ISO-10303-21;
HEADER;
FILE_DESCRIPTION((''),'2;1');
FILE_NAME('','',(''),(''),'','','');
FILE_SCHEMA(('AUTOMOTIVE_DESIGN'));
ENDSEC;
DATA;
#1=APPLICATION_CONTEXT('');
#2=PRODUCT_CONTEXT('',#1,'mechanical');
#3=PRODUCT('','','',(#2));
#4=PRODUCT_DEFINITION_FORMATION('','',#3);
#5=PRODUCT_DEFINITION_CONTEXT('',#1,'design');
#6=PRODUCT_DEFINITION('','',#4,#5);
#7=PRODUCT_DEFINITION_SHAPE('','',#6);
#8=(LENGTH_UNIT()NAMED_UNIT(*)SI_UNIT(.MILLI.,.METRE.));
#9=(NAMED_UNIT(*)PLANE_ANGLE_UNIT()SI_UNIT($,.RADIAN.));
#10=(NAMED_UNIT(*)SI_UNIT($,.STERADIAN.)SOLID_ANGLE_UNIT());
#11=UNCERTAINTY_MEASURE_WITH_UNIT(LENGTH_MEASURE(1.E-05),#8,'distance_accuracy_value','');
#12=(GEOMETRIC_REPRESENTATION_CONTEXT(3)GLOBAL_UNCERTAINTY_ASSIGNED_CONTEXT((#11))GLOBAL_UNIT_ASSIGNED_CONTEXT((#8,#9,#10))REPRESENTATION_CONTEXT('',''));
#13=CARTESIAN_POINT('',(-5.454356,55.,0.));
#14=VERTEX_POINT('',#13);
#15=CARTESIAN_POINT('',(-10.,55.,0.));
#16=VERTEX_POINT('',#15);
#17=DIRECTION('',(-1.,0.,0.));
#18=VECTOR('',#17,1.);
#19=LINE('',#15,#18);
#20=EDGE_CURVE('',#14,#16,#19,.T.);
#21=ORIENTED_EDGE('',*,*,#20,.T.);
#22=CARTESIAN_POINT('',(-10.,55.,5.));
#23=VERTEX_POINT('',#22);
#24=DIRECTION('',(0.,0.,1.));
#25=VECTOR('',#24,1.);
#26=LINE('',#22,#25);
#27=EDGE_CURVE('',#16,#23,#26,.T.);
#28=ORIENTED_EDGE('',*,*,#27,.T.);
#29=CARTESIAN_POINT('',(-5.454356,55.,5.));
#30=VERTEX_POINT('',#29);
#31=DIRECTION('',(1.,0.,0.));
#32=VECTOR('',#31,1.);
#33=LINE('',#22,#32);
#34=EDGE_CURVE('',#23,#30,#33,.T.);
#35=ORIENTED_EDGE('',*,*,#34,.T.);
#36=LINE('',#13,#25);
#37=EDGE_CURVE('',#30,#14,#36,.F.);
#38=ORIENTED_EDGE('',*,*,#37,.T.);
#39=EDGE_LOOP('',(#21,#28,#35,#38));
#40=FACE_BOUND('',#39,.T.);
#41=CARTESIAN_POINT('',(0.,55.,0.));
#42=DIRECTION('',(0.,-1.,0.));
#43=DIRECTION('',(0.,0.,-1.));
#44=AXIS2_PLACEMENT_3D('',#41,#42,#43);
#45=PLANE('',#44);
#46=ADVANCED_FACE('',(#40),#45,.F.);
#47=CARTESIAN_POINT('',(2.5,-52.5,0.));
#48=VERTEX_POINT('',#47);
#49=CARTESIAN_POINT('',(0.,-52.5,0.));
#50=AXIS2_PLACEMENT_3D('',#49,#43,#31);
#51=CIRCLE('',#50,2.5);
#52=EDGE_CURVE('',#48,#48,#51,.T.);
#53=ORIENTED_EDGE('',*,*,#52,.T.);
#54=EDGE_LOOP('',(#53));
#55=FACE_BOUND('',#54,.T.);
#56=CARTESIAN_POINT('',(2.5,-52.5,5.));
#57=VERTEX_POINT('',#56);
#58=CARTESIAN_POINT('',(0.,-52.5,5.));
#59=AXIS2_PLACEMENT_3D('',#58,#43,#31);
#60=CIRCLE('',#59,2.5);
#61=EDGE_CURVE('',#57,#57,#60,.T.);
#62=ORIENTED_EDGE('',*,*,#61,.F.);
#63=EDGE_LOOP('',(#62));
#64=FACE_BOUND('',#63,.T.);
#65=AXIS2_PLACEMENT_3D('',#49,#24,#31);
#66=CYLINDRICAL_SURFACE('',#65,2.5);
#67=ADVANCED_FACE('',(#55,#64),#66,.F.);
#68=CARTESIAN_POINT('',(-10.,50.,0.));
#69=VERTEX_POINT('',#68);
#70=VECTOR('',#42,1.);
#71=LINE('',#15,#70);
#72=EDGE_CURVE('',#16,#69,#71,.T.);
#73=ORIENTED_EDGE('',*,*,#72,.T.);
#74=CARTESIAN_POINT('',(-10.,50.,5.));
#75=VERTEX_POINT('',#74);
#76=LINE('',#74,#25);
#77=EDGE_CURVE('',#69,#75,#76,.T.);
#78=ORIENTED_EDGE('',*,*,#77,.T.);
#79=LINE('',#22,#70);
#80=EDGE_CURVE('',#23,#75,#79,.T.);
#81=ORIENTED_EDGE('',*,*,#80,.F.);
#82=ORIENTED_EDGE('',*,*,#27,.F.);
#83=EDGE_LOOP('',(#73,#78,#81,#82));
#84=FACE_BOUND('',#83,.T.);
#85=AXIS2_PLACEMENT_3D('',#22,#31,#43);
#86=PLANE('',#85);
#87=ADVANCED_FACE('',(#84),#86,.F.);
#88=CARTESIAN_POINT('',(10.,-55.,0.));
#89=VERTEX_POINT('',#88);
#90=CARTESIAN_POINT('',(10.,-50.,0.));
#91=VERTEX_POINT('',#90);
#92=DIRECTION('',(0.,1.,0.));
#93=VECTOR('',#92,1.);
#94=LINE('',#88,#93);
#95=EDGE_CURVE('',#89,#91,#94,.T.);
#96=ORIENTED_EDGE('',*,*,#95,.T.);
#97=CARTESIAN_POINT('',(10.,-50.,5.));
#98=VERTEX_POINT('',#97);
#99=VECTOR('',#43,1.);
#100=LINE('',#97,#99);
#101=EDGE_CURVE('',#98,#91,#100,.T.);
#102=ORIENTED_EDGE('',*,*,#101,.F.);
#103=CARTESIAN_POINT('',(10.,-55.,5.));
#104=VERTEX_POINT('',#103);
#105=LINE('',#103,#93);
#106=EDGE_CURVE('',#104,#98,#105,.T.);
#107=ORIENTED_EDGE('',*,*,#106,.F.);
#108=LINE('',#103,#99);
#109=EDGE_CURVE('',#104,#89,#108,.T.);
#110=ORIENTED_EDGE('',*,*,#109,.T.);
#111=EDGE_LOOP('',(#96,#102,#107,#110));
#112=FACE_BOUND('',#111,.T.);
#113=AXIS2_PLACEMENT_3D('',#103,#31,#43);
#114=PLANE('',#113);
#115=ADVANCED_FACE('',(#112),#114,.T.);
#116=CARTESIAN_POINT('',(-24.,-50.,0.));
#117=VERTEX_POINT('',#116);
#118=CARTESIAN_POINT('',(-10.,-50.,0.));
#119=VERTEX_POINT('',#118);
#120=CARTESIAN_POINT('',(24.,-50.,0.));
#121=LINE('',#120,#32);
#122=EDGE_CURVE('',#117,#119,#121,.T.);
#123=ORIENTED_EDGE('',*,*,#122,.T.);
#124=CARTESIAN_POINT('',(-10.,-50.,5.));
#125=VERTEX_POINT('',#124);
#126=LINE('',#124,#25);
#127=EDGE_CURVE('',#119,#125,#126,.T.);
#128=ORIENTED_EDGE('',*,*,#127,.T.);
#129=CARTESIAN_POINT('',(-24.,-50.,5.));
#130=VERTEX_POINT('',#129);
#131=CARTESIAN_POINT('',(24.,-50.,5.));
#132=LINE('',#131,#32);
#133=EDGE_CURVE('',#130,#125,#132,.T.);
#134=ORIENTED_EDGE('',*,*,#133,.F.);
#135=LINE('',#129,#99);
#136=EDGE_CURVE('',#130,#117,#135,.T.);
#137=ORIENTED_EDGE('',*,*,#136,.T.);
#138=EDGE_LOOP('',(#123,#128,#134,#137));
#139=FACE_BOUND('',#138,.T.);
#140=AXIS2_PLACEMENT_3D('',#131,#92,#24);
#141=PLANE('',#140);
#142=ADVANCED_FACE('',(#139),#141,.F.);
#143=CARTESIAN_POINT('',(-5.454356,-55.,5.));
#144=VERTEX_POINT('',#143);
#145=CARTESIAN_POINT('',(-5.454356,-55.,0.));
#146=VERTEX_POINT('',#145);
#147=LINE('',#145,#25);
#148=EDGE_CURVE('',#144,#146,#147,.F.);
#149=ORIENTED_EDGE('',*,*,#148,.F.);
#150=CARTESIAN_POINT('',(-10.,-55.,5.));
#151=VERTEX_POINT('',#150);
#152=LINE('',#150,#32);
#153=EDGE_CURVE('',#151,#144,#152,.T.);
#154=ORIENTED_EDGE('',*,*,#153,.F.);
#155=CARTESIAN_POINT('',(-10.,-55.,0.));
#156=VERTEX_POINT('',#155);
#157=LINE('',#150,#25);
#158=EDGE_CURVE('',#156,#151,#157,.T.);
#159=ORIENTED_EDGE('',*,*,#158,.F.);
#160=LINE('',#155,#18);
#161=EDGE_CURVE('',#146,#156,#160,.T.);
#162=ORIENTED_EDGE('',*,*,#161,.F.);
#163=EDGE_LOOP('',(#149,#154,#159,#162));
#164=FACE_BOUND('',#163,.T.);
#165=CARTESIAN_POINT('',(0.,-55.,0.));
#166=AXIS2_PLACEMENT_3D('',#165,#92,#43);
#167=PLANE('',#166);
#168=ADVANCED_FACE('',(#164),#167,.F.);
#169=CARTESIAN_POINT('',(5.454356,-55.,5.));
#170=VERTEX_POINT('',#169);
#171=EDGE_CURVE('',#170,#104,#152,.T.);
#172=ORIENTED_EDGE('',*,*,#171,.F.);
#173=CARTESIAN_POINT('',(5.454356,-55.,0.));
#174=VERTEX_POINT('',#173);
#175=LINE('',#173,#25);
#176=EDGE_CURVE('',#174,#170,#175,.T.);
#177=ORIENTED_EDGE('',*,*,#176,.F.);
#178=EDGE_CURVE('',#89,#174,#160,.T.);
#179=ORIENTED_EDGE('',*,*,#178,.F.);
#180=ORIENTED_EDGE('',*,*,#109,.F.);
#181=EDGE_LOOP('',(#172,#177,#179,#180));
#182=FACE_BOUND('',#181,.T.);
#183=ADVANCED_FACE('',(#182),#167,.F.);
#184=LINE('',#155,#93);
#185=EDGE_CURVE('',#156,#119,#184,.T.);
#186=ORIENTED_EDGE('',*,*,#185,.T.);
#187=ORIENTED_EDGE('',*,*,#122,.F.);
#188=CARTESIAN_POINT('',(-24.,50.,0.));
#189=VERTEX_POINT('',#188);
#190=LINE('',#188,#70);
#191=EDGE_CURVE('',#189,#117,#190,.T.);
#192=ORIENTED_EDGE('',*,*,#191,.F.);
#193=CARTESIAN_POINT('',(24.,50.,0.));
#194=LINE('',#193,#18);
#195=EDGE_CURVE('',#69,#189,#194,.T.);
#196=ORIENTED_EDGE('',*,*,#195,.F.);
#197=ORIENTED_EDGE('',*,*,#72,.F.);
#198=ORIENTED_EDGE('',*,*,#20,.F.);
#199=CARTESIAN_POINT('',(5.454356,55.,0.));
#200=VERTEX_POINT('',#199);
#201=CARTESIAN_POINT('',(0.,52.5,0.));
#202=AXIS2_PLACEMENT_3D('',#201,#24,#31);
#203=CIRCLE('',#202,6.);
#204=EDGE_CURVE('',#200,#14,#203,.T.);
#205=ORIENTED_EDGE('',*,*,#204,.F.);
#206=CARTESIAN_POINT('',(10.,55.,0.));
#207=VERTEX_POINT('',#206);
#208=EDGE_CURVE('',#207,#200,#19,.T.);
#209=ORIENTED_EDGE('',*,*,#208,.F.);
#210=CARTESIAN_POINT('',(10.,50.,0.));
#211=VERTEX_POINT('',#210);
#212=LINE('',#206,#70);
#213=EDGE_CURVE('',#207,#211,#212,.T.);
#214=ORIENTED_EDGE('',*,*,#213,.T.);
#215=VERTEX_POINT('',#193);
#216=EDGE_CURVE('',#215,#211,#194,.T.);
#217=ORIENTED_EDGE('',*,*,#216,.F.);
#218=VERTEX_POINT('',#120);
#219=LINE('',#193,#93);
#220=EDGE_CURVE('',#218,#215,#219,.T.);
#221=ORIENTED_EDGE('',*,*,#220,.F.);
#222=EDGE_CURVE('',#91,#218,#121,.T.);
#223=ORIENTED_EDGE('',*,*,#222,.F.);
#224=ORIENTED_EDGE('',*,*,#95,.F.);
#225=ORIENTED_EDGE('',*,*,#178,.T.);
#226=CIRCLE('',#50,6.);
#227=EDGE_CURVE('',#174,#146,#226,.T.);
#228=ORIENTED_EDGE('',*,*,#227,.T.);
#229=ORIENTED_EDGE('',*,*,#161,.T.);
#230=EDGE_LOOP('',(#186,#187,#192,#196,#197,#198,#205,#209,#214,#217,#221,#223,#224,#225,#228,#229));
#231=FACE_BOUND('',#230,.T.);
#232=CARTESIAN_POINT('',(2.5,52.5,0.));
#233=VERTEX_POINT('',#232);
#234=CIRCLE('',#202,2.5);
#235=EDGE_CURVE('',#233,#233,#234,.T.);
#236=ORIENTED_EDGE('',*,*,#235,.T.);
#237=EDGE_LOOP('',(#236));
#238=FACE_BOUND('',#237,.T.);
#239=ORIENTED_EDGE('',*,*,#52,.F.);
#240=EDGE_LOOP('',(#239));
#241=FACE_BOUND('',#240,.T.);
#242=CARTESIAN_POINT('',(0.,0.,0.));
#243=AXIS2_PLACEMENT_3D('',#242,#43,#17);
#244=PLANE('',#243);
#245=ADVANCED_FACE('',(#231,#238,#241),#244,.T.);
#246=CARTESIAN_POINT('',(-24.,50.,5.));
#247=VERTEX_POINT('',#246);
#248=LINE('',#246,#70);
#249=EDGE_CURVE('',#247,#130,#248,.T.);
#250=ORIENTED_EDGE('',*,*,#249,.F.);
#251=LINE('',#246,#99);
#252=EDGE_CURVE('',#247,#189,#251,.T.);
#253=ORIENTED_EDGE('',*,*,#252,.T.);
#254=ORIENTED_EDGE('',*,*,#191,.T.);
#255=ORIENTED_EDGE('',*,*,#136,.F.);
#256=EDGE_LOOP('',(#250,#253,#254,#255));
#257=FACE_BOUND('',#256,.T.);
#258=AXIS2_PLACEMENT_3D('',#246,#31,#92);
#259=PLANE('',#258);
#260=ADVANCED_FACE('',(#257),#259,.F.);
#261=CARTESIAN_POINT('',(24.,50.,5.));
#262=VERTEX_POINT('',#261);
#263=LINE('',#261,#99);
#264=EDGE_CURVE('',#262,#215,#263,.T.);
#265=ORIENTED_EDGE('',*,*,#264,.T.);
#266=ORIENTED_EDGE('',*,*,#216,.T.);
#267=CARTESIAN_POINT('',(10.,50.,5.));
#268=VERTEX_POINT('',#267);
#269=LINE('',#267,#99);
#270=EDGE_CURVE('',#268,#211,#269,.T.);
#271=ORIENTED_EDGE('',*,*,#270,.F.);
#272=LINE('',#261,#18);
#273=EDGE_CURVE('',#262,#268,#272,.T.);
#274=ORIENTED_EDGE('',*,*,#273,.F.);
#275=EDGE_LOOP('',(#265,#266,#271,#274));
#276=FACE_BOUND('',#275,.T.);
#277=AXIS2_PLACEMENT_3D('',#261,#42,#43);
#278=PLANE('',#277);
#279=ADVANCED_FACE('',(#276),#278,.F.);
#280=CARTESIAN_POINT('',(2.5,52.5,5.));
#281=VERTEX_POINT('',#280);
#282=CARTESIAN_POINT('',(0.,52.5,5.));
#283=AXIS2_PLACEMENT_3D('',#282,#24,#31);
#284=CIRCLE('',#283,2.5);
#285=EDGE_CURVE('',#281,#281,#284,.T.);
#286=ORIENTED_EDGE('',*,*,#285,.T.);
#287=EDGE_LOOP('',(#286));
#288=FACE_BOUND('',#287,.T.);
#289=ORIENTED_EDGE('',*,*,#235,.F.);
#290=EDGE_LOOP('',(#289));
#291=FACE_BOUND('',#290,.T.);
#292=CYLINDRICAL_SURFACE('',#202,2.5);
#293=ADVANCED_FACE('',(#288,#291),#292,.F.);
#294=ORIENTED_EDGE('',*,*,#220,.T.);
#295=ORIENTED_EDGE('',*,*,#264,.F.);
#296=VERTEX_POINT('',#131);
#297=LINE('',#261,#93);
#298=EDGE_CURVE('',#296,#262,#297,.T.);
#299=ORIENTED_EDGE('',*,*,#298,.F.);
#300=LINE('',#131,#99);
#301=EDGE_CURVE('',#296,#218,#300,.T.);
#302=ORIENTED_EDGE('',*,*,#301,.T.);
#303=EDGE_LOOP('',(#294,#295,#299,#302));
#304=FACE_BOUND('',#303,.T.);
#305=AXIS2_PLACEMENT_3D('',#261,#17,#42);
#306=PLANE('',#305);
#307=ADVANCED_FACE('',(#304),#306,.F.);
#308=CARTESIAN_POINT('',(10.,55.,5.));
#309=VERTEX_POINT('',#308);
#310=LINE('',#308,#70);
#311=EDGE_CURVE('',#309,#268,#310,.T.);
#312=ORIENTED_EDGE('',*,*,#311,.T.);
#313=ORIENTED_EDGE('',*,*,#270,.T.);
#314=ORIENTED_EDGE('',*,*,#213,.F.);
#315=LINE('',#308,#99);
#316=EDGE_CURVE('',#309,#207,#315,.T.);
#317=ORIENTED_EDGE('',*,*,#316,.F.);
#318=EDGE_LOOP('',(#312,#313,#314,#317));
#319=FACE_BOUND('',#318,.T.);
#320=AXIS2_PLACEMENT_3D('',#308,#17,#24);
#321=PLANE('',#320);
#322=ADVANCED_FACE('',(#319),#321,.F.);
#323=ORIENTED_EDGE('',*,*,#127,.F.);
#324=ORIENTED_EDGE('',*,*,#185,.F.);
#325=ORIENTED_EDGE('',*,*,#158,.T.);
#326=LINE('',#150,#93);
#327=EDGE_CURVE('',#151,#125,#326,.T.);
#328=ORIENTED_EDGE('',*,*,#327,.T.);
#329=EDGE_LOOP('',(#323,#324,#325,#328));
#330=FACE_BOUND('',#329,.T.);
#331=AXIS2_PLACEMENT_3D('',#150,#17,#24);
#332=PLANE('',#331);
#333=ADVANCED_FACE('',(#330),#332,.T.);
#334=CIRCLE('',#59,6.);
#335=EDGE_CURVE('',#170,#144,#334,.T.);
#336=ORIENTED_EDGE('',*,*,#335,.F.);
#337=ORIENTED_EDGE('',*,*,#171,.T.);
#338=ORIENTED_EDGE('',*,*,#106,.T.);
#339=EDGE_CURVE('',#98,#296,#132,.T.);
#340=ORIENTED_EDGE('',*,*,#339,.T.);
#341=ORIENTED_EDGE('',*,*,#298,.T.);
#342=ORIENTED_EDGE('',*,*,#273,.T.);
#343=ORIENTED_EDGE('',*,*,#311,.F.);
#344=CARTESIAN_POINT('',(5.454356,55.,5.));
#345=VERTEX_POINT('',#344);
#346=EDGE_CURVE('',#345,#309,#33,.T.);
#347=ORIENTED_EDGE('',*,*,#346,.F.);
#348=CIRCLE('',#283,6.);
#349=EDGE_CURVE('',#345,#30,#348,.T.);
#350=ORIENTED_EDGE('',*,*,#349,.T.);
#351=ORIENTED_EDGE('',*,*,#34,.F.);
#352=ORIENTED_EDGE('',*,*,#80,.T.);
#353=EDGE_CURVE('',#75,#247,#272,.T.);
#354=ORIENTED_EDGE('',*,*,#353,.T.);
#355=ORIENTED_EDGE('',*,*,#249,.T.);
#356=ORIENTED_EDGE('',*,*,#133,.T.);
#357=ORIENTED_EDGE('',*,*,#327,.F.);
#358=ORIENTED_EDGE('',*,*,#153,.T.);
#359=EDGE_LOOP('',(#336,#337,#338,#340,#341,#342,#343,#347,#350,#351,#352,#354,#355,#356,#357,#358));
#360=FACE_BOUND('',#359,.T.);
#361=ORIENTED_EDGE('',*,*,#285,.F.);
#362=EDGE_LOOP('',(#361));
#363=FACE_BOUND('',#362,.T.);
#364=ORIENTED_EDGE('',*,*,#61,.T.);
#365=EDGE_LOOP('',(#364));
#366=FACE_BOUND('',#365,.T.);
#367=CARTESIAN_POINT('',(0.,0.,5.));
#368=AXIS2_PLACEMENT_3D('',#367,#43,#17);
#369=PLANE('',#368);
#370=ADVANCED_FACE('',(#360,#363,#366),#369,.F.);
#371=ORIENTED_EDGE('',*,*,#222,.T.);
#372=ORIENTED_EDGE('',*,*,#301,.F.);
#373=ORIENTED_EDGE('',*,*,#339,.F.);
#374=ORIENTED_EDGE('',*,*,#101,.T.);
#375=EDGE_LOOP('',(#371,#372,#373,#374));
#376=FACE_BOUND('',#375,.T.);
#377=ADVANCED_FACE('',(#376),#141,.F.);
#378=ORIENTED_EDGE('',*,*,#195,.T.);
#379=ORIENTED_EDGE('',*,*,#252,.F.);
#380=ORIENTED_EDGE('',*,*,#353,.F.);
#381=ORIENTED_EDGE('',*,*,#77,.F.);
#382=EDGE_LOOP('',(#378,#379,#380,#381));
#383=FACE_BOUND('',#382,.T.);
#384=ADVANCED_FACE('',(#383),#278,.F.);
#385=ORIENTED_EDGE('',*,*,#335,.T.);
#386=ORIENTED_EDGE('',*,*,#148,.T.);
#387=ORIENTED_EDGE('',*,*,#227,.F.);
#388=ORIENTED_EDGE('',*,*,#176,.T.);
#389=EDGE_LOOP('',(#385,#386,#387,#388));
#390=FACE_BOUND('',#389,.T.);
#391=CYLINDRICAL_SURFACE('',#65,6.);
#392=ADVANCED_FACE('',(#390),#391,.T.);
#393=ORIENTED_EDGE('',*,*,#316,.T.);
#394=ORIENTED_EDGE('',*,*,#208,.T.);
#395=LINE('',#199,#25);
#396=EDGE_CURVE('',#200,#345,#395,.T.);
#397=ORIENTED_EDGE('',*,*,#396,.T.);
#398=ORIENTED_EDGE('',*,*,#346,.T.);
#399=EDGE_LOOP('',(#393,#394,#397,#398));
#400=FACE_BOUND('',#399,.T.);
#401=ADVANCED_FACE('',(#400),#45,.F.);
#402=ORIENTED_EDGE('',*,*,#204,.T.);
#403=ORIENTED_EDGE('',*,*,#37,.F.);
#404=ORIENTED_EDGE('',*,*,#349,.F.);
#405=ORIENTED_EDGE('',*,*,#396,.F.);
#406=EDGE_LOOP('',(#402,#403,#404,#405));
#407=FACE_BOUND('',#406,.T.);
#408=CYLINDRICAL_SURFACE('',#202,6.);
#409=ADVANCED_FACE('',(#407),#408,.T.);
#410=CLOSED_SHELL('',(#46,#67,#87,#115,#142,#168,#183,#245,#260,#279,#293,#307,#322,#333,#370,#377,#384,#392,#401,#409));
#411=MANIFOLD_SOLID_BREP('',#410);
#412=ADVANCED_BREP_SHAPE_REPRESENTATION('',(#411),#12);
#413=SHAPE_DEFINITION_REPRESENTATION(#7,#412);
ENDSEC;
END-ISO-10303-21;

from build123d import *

# Parameters (mm, degrees)
SKETCH1_W           = 48
SKETCH1_H           = 100
BOSS_EXTRUDE1_DEPTH = 5
SKETCH2_W           = 20
SKETCH2_H           = 5
BOSS_EXTRUDE2_DEPTH = 5
SKETCH3_R           = 6
BOSS_EXTRUDE3_DEPTH = 5
SKETCH4_R           = 2.5
CUT_EXTRUDE1_DEPTH  = 5


with BuildPart() as part:
    # Sketch1 → Boss-Extrude1 (new body)
    with BuildSketch(Plane.XY):
        Rectangle(SKETCH1_W, SKETCH1_H)
    extrude(amount=BOSS_EXTRUDE1_DEPTH)

    # Sketch2 → Boss-Extrude2 (add)
    with BuildSketch(Plane(origin=(0, 50, 0), x_dir=(1, 0, 0), z_dir=(0, 1, 0))):
        with Locations((0, -2.5)):
            Rectangle(SKETCH2_W, SKETCH2_H)
    boss_extrude2 = extrude(amount=BOSS_EXTRUDE2_DEPTH)

    # Mirror1: Boss-Extrude2 across plane
    add(boss_extrude2.mirror(Plane.ZX))

    # Sketch3 → Boss-Extrude3 (add)
    with BuildSketch(Plane.XY.offset(5)):
        with Locations((0, 52.5)):
            Circle(SKETCH3_R)
    boss_extrude3 = extrude(amount=-BOSS_EXTRUDE3_DEPTH)

    # Sketch4 → Cut-Extrude1 (cut)
    with BuildSketch(Plane.XY.offset(5)):
        with Locations((0, 52.5)):
            Circle(SKETCH4_R)
    cut_extrude1 = extrude(amount=-CUT_EXTRUDE1_DEPTH, mode=Mode.SUBTRACT)

    # Mirror2: Boss-Extrude3, Cut-Extrude1 across plane
    add(boss_extrude3.mirror(Plane.ZX))
    add(cut_extrude1.mirror(Plane.ZX), mode=Mode.SUBTRACT)


solid = part.part
